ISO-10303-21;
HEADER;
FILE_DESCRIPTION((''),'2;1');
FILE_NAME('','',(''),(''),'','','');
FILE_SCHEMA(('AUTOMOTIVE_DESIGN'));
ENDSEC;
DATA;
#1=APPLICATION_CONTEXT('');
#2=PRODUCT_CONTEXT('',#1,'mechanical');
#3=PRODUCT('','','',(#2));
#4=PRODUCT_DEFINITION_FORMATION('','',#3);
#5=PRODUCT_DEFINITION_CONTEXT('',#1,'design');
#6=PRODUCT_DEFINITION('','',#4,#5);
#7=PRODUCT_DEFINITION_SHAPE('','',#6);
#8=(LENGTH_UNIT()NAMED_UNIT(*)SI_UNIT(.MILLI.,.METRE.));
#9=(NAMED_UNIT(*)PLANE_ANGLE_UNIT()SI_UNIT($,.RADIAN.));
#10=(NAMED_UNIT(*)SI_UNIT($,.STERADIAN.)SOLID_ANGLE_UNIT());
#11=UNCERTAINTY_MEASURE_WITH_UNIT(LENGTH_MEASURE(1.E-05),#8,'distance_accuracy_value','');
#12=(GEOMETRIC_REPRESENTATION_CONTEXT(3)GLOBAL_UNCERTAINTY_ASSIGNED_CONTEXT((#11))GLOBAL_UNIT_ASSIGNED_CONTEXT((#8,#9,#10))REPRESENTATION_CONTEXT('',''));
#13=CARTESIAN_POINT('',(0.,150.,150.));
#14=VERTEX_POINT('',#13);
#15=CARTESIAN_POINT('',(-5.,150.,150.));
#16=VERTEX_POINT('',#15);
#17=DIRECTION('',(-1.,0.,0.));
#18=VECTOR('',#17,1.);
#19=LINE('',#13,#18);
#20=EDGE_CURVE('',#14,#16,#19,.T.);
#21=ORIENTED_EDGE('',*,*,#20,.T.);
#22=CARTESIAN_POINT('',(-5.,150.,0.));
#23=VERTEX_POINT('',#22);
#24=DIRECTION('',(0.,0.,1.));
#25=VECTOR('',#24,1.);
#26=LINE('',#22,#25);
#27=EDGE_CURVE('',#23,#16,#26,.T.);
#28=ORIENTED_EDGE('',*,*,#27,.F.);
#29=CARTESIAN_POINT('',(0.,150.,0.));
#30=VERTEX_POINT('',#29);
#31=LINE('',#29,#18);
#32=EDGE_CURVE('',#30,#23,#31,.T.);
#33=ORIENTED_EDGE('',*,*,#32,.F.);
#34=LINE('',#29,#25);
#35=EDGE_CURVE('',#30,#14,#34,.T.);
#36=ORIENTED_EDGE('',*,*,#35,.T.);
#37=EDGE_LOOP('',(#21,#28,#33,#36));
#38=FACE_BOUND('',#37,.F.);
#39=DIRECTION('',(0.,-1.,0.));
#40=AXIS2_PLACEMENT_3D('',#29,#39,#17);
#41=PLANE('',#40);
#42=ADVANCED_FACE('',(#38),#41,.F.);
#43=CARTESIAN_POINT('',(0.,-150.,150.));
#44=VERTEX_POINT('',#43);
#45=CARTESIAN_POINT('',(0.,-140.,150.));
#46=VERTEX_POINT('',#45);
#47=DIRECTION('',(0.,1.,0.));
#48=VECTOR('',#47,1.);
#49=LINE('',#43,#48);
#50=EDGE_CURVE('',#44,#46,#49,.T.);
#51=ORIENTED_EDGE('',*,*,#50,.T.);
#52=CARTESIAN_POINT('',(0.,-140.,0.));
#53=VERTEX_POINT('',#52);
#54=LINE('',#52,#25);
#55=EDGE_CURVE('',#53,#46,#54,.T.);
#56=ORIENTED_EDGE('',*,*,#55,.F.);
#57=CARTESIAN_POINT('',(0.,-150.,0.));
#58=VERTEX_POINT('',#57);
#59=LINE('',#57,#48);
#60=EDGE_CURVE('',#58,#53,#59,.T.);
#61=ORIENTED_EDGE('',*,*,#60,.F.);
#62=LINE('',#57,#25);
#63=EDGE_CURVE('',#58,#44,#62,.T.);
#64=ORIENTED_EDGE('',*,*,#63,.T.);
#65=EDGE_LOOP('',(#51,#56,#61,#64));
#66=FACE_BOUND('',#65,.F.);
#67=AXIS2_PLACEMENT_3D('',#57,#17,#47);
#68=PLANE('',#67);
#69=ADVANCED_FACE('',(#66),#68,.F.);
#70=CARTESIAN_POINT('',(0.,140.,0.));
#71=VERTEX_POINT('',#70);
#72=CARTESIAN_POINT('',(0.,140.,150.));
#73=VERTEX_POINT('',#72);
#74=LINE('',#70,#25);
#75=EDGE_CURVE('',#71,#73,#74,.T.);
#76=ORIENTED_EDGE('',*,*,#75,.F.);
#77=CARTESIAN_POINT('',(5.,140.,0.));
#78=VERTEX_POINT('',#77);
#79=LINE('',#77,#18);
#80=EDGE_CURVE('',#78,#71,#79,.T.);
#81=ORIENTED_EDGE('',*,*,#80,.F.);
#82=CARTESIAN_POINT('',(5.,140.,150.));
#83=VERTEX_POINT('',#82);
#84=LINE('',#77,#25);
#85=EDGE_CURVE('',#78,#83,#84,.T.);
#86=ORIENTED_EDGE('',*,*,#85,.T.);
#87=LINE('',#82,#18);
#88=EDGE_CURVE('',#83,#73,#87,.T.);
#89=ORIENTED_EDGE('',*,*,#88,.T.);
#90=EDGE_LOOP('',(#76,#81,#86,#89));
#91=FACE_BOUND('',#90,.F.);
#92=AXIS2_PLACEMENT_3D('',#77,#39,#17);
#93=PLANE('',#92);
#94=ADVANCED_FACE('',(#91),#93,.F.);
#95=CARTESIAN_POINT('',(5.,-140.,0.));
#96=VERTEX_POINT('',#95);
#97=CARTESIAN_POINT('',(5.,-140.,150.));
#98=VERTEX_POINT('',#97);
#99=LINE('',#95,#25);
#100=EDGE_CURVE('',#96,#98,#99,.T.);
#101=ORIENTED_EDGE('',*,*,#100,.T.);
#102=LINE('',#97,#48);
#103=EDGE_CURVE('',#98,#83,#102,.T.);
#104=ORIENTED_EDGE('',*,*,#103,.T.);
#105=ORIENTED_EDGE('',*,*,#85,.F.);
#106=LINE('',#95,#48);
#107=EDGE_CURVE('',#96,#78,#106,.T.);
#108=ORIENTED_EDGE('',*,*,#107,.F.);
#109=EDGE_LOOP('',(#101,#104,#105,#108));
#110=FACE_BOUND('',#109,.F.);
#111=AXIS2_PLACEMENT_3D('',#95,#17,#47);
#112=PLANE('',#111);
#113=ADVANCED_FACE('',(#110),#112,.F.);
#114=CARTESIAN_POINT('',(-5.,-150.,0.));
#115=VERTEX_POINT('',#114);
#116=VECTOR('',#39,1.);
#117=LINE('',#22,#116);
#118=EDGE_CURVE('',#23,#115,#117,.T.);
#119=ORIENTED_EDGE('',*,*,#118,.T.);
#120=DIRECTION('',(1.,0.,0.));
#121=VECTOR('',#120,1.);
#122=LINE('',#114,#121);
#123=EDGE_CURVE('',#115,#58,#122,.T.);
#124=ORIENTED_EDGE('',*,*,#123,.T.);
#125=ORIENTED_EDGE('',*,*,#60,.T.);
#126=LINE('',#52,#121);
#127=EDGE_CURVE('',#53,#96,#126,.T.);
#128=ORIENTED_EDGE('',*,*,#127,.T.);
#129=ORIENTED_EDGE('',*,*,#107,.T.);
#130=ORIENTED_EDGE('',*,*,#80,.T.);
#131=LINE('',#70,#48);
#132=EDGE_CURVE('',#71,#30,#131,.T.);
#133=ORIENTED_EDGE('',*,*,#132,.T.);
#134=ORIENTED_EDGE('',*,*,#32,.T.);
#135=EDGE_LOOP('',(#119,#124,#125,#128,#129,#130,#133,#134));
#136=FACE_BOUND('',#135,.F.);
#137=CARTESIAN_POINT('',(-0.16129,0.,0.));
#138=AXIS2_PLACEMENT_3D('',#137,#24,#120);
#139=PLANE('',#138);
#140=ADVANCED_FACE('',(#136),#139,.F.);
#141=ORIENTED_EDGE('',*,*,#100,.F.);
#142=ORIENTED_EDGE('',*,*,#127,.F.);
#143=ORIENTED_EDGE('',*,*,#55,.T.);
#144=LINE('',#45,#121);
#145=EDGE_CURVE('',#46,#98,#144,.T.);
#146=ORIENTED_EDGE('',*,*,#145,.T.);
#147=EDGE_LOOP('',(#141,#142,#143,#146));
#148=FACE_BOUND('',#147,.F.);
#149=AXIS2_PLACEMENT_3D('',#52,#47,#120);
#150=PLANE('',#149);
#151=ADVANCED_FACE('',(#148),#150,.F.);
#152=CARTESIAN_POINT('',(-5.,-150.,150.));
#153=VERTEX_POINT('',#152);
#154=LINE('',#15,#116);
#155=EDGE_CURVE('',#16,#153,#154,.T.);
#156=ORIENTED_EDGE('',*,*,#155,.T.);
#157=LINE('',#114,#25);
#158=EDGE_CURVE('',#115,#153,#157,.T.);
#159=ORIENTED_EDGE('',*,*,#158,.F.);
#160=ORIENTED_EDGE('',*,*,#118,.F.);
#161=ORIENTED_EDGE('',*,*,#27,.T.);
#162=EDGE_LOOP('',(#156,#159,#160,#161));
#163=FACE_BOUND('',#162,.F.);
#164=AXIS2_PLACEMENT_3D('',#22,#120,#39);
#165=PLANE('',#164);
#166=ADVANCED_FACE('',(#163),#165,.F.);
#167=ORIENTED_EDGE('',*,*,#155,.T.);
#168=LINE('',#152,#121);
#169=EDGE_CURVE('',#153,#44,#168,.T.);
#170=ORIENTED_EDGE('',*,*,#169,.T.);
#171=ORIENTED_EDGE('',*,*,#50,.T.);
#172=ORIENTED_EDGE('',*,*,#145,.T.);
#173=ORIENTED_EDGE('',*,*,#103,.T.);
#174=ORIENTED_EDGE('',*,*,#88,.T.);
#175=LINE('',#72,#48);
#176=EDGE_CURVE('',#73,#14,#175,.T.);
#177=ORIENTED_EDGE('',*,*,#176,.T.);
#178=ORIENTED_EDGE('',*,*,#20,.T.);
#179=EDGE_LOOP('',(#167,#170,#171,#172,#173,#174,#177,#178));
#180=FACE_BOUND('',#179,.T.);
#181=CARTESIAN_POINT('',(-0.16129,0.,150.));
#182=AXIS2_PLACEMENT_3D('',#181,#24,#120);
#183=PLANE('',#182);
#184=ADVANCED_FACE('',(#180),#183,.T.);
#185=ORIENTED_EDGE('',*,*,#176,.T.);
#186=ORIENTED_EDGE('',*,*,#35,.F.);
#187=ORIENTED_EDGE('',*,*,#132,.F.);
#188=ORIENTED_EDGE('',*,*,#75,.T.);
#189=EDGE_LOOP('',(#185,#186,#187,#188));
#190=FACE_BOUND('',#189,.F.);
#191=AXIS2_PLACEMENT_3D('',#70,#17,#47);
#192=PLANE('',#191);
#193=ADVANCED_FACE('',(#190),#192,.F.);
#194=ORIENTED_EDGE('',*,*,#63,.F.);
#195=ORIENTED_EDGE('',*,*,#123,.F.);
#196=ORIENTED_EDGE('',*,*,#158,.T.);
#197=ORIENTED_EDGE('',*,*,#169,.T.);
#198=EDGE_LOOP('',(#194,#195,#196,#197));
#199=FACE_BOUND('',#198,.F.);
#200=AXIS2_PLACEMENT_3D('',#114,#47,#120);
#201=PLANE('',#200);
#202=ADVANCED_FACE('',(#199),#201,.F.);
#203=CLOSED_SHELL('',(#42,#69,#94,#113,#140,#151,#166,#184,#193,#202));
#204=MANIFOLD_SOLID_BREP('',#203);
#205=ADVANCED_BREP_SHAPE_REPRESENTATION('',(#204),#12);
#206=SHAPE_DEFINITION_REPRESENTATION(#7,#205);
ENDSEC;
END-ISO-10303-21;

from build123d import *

# Parameters (mm, degrees)
F1_DEPTH = 150
F4_DEPTH = 150


with BuildPart() as f1:
    # F0 (on Top) → F1 (new body)
    with BuildSketch(Plane.XY):
        Polygon((0, 75), (-6, 75), (-6, -75), (0, -75), (0, -63), (6, -63), (6, 63), (0, 63), align=None)
    extrude(amount=F1_DEPTH)


with BuildPart() as f4:
    # F3 (on Top) → F4 (new body)
    with BuildSketch(Plane.XY):
        Polygon((0, 140), (0, 150), (-5, 150), (-5, -150), (0, -150), (0, -140), (5, -140), (5, 140), align=None)
    extrude(amount=F4_DEPTH)


solid = f4.part
